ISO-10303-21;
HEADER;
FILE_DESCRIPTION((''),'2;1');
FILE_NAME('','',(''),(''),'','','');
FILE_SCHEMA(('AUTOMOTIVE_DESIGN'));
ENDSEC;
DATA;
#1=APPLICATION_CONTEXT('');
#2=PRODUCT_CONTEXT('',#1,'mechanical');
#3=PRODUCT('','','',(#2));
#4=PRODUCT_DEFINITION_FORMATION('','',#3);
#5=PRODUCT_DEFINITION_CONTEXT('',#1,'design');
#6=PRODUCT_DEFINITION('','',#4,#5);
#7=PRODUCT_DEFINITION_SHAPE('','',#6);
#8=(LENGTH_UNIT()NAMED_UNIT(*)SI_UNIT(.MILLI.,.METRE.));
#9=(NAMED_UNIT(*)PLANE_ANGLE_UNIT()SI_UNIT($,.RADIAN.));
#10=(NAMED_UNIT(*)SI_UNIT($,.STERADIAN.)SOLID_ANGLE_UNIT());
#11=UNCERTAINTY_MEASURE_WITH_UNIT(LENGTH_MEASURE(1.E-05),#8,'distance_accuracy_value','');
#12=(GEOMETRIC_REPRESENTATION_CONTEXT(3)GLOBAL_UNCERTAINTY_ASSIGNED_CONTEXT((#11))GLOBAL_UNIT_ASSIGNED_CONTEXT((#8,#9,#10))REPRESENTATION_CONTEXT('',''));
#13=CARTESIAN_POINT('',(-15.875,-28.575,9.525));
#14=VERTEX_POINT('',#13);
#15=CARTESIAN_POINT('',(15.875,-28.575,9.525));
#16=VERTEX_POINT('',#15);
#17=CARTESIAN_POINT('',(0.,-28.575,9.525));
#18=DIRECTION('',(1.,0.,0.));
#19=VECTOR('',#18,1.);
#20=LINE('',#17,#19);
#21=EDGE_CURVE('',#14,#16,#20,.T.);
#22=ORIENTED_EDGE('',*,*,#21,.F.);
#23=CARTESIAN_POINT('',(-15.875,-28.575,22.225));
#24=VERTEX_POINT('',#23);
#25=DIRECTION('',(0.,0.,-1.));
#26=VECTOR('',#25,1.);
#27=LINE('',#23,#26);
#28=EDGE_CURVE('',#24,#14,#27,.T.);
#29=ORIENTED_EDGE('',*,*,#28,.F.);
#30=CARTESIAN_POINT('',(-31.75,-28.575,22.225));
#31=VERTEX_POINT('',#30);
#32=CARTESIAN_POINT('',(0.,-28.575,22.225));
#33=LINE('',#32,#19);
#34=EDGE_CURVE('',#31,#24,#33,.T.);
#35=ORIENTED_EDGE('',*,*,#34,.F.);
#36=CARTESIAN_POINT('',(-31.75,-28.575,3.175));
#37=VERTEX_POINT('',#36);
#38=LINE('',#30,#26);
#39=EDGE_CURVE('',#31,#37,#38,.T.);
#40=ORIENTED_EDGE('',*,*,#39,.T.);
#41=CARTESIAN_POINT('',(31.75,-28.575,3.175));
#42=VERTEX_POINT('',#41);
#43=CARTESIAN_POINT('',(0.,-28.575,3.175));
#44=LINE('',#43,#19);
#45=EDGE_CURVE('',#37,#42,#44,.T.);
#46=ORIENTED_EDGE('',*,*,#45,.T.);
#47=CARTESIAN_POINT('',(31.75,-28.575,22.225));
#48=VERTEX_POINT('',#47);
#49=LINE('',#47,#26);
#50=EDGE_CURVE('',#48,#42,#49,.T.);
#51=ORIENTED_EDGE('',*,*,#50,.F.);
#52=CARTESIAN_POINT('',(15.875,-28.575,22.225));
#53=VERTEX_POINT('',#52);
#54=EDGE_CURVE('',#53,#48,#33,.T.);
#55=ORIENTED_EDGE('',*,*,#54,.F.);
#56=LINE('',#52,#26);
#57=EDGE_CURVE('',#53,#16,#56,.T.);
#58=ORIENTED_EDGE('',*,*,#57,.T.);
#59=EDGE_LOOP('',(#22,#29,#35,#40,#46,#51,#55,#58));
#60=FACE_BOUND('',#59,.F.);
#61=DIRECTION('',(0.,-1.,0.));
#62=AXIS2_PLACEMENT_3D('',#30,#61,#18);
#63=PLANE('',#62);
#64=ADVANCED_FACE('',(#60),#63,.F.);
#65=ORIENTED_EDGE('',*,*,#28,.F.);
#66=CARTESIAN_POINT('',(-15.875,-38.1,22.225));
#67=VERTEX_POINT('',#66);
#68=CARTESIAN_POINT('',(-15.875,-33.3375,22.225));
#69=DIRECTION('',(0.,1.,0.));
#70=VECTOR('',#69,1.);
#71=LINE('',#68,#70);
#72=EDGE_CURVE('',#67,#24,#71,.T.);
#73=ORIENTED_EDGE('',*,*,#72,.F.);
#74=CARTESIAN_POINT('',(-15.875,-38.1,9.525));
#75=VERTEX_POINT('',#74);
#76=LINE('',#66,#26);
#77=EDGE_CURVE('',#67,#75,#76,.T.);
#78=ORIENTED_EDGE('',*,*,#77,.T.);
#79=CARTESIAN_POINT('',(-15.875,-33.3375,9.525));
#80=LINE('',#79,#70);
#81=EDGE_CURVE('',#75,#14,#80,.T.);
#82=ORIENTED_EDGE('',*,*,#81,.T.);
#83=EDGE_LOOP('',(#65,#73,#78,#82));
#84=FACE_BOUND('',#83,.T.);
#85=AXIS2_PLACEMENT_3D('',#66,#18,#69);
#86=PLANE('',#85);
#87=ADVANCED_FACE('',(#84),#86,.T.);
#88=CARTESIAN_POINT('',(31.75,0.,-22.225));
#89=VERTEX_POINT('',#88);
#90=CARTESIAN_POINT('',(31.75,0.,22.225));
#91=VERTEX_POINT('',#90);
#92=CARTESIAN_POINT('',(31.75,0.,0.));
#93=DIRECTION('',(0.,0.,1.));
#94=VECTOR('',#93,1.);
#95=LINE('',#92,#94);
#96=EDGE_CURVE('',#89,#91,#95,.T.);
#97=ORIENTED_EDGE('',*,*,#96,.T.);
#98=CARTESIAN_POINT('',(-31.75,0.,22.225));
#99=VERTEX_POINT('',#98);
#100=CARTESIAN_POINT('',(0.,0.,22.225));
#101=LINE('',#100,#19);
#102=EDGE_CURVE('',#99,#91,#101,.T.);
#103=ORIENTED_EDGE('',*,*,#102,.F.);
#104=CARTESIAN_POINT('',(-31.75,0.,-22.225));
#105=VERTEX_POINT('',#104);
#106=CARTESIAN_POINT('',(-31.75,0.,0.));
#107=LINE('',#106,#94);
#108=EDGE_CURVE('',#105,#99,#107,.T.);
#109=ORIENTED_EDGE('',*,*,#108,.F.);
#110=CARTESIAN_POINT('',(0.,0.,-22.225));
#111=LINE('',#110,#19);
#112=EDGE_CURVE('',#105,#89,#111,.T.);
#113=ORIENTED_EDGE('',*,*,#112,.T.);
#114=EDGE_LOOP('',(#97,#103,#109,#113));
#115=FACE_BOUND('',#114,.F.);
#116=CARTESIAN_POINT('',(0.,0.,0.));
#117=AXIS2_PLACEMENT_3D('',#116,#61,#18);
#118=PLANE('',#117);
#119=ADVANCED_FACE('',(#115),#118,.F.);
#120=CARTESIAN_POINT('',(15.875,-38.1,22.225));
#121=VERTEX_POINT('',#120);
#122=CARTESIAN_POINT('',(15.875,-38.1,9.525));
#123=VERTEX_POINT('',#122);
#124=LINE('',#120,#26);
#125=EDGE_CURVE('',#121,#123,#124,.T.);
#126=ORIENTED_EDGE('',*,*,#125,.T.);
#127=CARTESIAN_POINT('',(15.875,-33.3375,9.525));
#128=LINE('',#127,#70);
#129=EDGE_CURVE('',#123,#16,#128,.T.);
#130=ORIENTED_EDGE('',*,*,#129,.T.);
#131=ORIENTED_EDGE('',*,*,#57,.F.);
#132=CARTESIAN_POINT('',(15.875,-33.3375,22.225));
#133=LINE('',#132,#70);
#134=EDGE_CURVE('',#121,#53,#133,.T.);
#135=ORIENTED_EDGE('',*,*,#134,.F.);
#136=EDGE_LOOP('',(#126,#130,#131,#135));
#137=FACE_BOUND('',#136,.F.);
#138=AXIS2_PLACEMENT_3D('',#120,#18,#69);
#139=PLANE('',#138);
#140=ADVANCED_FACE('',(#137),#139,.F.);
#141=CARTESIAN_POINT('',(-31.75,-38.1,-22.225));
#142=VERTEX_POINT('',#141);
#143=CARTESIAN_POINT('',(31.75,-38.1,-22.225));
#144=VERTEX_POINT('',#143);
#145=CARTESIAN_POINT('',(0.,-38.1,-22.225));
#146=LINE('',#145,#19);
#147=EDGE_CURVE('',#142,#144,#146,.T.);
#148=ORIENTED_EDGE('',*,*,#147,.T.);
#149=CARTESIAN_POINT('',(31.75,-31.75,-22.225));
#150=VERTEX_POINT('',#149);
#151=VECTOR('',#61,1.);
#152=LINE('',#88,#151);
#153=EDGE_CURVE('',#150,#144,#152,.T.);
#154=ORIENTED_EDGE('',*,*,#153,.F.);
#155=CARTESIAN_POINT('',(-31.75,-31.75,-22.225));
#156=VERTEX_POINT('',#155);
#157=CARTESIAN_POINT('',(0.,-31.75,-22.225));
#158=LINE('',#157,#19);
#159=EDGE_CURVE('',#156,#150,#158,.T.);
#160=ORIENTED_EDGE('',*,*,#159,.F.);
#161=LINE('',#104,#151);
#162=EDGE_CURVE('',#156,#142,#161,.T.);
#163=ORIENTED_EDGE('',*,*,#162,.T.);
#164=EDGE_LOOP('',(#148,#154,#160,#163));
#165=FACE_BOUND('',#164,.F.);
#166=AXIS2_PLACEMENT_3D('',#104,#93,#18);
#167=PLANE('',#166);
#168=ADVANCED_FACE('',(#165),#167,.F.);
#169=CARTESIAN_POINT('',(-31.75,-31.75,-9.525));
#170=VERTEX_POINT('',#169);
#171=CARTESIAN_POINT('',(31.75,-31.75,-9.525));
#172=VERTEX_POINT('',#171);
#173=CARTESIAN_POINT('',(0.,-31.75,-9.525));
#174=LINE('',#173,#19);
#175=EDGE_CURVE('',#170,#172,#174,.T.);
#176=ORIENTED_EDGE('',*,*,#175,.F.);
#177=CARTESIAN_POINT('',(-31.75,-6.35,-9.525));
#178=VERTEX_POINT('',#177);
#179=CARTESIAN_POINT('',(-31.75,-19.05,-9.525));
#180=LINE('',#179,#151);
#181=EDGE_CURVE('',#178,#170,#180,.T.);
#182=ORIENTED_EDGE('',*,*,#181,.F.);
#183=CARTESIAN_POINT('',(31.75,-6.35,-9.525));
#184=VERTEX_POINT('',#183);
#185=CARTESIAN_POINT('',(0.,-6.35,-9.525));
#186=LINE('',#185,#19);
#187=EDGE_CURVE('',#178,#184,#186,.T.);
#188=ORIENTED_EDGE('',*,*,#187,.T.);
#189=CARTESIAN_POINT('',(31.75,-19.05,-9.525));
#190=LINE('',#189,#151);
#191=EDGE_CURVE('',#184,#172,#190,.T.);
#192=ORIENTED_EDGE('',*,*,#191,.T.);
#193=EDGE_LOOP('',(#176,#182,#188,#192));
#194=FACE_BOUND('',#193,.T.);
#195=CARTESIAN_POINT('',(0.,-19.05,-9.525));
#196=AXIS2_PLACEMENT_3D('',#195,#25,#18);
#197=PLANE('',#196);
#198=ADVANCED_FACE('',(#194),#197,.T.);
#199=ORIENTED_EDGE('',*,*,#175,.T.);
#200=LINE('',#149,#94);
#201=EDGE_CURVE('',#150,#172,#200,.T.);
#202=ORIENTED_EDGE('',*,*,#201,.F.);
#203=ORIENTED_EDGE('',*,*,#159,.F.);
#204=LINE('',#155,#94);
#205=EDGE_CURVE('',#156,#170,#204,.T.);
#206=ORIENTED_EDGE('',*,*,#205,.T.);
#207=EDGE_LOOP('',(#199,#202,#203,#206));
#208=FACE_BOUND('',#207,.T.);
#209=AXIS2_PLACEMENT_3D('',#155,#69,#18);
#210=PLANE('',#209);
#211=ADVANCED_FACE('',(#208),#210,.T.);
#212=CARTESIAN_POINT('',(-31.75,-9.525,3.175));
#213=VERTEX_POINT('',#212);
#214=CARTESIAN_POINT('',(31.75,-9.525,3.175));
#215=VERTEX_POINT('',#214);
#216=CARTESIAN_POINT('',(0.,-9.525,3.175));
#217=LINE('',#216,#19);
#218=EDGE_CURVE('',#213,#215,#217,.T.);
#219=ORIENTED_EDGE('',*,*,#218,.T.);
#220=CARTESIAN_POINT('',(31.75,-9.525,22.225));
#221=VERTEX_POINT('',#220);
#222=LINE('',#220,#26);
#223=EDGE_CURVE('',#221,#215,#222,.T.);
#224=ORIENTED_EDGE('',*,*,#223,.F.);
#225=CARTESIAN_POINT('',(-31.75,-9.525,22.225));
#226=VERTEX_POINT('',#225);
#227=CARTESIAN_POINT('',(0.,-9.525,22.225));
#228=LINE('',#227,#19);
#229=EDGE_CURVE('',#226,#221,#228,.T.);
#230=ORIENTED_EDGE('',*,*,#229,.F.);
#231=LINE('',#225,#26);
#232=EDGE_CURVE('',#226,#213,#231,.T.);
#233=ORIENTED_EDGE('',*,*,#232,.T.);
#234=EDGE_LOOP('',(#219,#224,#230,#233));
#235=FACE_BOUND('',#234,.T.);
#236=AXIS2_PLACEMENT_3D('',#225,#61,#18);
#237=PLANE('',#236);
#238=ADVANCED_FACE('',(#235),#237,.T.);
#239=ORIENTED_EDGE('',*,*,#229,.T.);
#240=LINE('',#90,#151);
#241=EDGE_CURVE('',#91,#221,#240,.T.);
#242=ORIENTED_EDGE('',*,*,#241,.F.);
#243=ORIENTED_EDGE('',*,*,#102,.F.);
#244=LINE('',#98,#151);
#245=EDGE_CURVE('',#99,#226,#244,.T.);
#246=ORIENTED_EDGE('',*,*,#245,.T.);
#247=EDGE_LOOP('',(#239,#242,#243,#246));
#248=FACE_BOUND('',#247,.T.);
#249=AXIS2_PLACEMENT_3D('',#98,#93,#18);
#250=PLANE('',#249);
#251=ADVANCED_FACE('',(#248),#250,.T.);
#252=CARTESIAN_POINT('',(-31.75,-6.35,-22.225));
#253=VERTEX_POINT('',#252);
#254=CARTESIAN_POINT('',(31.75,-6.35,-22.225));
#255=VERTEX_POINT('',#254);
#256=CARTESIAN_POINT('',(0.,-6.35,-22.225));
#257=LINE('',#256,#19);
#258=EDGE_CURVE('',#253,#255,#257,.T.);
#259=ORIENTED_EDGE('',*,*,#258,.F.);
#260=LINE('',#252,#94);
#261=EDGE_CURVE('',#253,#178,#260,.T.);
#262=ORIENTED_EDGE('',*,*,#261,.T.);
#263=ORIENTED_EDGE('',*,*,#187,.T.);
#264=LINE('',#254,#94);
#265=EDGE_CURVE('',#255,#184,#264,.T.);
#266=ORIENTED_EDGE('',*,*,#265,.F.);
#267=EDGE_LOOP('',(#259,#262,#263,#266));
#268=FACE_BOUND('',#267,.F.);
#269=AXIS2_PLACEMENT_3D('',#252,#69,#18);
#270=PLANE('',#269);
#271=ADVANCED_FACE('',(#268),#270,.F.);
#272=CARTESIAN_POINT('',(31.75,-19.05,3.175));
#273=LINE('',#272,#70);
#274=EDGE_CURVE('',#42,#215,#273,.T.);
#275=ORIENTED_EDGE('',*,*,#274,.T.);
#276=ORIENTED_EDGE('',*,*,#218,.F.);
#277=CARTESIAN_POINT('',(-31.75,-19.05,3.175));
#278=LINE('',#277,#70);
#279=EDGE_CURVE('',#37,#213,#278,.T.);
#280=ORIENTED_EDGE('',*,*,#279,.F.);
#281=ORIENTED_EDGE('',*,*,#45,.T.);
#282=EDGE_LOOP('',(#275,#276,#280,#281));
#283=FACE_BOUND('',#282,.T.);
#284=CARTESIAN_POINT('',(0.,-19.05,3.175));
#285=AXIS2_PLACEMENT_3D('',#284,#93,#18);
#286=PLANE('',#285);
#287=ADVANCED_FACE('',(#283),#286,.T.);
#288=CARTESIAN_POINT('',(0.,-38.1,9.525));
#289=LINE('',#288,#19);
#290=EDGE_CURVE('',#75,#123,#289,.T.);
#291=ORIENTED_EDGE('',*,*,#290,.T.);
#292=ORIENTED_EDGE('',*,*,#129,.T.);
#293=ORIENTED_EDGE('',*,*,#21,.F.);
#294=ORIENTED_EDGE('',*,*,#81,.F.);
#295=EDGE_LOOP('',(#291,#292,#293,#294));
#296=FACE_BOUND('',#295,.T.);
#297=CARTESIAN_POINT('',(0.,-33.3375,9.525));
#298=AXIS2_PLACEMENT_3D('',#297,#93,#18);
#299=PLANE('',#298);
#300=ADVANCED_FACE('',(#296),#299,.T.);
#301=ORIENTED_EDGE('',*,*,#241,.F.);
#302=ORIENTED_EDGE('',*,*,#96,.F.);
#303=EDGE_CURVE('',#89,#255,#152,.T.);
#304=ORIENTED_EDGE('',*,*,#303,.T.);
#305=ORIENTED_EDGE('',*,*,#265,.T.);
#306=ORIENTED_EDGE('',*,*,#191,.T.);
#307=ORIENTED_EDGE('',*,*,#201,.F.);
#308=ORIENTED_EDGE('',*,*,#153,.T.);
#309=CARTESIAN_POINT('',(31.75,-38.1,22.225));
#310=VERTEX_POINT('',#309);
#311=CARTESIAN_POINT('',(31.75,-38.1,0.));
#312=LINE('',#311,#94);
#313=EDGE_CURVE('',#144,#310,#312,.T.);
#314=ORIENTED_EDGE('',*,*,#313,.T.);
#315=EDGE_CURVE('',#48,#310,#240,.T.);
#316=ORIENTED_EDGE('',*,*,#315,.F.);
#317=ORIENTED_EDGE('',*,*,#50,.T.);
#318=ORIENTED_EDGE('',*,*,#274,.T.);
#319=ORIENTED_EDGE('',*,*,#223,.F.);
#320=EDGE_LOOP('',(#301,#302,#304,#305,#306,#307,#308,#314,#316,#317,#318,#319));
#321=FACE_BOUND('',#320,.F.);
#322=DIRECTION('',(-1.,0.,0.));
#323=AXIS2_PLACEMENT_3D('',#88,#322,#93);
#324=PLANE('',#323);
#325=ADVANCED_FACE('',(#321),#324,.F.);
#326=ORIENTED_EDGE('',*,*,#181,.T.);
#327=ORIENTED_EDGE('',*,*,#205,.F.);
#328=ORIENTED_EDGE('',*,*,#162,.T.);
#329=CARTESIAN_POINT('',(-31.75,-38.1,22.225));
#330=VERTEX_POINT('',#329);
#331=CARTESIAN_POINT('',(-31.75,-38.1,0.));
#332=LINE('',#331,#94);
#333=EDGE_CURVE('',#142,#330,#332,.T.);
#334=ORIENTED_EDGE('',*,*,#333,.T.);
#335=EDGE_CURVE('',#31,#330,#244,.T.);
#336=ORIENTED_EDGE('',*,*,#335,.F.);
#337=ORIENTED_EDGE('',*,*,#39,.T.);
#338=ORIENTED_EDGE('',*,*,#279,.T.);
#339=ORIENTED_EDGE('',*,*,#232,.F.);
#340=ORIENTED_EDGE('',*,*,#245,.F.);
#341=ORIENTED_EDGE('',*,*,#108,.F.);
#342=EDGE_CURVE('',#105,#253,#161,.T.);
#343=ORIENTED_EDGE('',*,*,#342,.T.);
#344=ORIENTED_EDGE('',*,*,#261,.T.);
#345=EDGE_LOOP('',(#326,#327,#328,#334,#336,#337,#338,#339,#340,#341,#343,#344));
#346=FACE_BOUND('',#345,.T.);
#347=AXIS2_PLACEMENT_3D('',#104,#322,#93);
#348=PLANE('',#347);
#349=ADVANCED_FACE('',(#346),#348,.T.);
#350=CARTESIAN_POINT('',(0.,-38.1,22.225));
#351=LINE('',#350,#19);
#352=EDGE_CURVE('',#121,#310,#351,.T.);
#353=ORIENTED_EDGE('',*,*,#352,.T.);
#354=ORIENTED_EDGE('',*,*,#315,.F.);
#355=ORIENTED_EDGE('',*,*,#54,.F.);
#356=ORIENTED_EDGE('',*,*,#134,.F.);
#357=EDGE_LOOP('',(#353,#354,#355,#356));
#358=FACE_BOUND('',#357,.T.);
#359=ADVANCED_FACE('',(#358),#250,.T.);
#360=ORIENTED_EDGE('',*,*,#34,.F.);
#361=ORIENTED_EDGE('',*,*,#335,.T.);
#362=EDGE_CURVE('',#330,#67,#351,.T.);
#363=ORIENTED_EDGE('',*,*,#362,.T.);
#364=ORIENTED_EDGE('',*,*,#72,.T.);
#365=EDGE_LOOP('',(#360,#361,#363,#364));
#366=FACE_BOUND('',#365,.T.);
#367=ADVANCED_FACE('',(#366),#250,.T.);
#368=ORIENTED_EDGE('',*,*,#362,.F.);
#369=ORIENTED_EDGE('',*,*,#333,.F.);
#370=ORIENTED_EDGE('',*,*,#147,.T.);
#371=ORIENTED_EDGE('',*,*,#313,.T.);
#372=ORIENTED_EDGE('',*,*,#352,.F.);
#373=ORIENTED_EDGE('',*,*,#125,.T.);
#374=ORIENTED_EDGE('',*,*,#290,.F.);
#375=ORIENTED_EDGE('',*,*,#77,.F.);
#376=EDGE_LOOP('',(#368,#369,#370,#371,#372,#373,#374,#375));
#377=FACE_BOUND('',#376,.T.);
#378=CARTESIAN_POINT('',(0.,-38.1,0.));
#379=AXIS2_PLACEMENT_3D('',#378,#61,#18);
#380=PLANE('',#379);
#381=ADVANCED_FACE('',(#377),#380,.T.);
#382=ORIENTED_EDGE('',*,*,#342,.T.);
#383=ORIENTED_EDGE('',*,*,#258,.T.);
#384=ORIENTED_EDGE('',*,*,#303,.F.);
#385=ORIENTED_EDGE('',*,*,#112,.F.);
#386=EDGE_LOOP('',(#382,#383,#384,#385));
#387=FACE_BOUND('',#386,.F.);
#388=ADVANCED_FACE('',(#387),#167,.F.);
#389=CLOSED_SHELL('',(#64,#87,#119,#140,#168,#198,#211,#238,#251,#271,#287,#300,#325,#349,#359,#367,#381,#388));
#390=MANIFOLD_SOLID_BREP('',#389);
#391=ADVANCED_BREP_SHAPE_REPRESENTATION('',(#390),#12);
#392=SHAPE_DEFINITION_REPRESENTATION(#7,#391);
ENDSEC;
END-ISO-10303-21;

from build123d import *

# Parameters (mm, degrees)
F0_W     = 63.5
F0_H     = 44.45
F1_DEPTH = 38.1
F2_W     = 63.5
F2_H     = 19.05
F3_DEPTH = 19.05
F4_W     = 63.5
F4_H     = 25.4
F5_DEPTH = 12.7
F6_W     = 31.75
F6_H     = 9.525
F7_DEPTH = 12.7


with BuildPart() as f1:
    # F0 (on Front) → F1 (new body)
    with BuildSketch(Plane.XZ):
        Rectangle(F0_W, F0_H)
    extrude(amount=F1_DEPTH)

    # F2 (on face) → F3 (cut)
    with BuildSketch(Plane.XY.offset(22.225)):
        with Locations((0, -19.05)):
            Rectangle(F2_W, F2_H)
    extrude(amount=-F3_DEPTH, mode=Mode.SUBTRACT)

    # F4 (on face) → F5 (cut)
    with BuildSketch(Plane(origin=(0, 0, -22.225), x_dir=(1, 0, 0), z_dir=(0, 0, -1))):
        with Locations((0, 19.05)):
            Rectangle(F4_W, F4_H)
    extrude(amount=-F5_DEPTH, mode=Mode.SUBTRACT)

    # F6 (on face) → F7 (cut)
    with BuildSketch(Plane.XY.offset(22.225)):
        with Locations((0, -33.3375)):
            Rectangle(F6_W, F6_H)
    extrude(amount=-F7_DEPTH, mode=Mode.SUBTRACT)


solid = f1.part
